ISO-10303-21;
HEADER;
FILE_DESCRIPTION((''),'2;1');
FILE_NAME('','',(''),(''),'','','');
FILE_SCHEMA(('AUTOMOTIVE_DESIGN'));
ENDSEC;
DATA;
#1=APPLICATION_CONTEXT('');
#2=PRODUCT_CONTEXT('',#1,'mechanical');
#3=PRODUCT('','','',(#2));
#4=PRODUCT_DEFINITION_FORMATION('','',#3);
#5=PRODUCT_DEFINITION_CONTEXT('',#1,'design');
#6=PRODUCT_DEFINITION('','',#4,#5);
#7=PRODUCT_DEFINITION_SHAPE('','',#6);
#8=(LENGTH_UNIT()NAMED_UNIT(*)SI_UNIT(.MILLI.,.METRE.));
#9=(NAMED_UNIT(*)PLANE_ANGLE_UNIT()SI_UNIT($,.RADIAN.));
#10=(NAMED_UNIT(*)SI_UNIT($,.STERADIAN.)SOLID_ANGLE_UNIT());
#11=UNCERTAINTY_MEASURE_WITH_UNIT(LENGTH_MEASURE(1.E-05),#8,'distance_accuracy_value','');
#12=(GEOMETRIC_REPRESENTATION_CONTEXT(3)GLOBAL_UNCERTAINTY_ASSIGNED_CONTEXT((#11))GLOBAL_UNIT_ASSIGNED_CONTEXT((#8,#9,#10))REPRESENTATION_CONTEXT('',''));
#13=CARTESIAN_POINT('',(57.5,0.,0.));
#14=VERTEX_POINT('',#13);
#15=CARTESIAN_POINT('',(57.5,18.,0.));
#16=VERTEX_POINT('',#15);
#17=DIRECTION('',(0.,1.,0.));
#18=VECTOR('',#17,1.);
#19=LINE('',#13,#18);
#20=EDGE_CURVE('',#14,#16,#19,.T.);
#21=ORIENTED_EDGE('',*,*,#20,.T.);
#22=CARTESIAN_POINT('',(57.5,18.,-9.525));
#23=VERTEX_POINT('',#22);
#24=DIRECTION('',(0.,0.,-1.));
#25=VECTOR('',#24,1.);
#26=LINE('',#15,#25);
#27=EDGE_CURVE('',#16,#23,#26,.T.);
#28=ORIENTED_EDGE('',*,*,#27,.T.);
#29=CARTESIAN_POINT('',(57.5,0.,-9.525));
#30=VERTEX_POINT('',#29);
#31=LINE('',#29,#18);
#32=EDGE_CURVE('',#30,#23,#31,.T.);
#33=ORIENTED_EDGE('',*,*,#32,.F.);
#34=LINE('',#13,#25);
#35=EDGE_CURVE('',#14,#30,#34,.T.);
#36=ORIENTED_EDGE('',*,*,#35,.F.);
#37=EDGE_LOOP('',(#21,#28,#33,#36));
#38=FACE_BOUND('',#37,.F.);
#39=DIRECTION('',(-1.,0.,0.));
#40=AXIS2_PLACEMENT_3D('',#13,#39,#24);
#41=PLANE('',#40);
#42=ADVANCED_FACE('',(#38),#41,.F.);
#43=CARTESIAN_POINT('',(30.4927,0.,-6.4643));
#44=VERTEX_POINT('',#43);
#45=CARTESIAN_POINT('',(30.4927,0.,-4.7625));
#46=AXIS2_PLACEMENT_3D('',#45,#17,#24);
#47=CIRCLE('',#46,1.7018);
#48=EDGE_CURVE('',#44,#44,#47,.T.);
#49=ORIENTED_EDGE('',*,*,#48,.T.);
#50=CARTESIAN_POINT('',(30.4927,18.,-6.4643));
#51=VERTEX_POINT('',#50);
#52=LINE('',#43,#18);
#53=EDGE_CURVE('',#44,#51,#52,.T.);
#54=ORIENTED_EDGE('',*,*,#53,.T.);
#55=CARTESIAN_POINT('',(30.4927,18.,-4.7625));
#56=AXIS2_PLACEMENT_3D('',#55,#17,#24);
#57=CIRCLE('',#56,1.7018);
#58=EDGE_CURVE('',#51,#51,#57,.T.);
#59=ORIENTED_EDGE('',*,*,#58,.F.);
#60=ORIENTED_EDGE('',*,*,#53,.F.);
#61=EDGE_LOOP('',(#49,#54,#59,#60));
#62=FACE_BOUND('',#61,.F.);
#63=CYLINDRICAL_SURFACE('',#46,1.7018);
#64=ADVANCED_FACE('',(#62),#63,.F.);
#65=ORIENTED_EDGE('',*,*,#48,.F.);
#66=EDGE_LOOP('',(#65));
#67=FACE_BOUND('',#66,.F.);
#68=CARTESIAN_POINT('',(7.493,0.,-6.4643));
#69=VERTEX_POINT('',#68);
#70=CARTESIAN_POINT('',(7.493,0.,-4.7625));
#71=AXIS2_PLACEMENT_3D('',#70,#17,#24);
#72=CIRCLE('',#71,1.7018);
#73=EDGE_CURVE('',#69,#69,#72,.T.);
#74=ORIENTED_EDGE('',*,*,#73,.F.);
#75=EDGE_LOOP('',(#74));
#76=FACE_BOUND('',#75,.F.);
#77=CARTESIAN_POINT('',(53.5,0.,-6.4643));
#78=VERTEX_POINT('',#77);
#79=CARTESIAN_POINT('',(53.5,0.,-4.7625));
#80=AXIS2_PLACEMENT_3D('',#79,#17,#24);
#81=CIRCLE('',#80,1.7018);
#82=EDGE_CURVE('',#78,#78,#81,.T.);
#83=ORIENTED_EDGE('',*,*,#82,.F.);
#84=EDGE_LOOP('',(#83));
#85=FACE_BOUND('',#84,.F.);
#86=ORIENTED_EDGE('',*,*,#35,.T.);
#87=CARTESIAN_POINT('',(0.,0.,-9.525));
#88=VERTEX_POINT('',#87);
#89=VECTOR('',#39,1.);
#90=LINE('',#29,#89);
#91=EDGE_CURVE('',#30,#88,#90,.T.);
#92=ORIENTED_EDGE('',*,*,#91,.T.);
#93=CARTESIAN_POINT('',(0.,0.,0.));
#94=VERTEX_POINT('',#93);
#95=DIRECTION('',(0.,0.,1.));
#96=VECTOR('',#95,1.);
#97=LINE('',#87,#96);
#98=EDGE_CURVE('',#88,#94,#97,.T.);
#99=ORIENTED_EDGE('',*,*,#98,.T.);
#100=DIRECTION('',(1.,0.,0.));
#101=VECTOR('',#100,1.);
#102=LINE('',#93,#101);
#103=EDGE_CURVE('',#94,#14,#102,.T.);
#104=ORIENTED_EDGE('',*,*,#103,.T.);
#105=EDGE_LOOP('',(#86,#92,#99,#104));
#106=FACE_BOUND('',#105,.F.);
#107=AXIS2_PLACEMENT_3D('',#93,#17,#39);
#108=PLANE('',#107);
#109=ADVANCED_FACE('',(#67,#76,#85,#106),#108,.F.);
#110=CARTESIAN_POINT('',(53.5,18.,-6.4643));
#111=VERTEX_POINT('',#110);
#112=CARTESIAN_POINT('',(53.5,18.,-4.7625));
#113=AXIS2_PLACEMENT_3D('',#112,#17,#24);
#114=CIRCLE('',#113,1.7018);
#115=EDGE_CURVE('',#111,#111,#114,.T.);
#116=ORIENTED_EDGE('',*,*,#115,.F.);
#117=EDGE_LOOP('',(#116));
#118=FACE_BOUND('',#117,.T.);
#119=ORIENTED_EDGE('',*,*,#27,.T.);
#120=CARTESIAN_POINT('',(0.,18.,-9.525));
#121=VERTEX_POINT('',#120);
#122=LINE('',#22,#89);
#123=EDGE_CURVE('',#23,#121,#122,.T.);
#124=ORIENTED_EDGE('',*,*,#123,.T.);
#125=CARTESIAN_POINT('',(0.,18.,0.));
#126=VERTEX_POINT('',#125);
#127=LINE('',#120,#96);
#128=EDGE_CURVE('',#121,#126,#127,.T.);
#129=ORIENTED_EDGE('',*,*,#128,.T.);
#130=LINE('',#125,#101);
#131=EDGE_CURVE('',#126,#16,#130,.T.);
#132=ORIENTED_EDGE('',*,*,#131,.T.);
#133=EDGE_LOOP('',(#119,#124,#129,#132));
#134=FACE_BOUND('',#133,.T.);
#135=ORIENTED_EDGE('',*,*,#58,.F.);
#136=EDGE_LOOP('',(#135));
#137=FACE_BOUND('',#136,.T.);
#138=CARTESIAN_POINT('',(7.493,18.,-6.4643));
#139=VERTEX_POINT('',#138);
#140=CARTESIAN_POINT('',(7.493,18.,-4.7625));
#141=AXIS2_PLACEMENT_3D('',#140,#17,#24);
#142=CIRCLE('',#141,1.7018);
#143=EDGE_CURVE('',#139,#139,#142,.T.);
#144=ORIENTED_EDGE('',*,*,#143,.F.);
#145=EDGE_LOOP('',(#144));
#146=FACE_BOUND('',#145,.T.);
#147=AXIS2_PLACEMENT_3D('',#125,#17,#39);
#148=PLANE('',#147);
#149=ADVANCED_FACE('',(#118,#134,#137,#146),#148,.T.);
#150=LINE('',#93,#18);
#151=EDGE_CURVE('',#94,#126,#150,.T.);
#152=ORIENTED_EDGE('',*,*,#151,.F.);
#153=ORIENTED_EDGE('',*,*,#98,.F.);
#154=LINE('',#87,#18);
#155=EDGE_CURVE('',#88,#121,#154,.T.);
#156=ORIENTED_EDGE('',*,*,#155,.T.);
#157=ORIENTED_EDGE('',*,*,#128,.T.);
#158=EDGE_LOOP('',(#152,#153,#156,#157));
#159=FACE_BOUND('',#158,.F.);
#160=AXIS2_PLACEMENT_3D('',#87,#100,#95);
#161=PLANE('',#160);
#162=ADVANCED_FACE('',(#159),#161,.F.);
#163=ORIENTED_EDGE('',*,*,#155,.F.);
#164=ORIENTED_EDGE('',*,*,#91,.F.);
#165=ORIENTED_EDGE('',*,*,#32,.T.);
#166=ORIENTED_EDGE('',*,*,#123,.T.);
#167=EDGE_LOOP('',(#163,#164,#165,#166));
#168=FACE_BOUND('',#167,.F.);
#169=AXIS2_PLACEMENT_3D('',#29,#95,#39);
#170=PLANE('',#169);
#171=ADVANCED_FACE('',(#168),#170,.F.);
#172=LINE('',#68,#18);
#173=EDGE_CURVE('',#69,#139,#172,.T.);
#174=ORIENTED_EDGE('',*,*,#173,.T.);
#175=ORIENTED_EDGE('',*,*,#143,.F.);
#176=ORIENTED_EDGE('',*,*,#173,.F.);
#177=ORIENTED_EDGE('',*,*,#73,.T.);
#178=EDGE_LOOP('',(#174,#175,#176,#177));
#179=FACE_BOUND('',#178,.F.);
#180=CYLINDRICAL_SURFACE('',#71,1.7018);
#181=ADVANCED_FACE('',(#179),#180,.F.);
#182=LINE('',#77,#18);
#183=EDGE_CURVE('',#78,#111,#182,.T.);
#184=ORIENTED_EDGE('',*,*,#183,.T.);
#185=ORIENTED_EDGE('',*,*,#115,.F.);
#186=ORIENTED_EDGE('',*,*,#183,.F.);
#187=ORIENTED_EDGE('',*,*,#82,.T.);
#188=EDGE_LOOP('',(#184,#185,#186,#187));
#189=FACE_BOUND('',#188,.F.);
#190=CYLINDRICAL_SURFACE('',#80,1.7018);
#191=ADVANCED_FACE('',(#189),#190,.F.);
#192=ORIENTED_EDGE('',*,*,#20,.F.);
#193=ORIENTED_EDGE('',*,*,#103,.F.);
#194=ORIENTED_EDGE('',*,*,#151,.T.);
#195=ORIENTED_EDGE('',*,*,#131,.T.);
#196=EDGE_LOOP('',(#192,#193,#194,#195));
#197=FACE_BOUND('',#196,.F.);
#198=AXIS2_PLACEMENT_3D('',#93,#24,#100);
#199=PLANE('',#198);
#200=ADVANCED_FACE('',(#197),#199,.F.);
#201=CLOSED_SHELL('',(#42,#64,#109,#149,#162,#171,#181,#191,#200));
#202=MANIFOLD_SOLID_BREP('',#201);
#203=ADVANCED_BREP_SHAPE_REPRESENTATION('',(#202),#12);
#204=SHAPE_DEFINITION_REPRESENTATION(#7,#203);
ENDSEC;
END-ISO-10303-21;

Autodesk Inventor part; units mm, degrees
ref_plane "YZ Plane" through (0, 0, 0) normal (1, 0, 0) x (0, 1, 0)
ref_plane "XZ Plane" through (0, 0, 0) normal (0, 1, 0) x (-1, 0, 0)
ref_plane "XY Plane" through (0, 0, 0) normal (0, 0, 1) x (1, 0, 0)
sketch "Sketch1" plane through (0, 0, 0) normal (0, 1, 0) x (-1, 0, 0)
  line L0 (0, 0) -> (-57.5, 0)
  line L1 (-57.5, 0) -> (-57.5, -9.525)
  line L2 (-57.5, -9.525) -> (0, -9.525)
  line L3 (0, -9.525) -> (0, 0)
  line L4 (0, -4.7625) -> (-57.5, -4.7625) construction
  circle A0 centre (-7.493, -4.7625) radius 1.5
  circle A1 centre (-53.5, -4.7625) radius 1.5
  circle A2 centre (-30.4927, -4.7625) radius 1.5
  dimension "d0" = 9.525
  dimension "d1" = 57.5
  dimension "d2" = 3
  dimension "d3" = 7.493
  dimension "d4" = 4
  dimension "d14" = 22.9997
  dimension "d15" = 23.0073
extrude "Extrusion1" add sketch "Sketch1" along normal blind 18 contours L3 L2 L1 L0 | A0 | A1 | A2
hole "Hole1" at (53.5, 0, -4.7625) at (7.493, 0, -4.7625) at (30.4927, 0, -4.7625) direction (0, 1, 0) diameter 3.4036 end through all clearance for "Flat Head Machine Screw" size "M3" standard "Ansi Metric M Profile"
properties part number "Drive Frame Spacing Block" material "Aluminum 6061"
